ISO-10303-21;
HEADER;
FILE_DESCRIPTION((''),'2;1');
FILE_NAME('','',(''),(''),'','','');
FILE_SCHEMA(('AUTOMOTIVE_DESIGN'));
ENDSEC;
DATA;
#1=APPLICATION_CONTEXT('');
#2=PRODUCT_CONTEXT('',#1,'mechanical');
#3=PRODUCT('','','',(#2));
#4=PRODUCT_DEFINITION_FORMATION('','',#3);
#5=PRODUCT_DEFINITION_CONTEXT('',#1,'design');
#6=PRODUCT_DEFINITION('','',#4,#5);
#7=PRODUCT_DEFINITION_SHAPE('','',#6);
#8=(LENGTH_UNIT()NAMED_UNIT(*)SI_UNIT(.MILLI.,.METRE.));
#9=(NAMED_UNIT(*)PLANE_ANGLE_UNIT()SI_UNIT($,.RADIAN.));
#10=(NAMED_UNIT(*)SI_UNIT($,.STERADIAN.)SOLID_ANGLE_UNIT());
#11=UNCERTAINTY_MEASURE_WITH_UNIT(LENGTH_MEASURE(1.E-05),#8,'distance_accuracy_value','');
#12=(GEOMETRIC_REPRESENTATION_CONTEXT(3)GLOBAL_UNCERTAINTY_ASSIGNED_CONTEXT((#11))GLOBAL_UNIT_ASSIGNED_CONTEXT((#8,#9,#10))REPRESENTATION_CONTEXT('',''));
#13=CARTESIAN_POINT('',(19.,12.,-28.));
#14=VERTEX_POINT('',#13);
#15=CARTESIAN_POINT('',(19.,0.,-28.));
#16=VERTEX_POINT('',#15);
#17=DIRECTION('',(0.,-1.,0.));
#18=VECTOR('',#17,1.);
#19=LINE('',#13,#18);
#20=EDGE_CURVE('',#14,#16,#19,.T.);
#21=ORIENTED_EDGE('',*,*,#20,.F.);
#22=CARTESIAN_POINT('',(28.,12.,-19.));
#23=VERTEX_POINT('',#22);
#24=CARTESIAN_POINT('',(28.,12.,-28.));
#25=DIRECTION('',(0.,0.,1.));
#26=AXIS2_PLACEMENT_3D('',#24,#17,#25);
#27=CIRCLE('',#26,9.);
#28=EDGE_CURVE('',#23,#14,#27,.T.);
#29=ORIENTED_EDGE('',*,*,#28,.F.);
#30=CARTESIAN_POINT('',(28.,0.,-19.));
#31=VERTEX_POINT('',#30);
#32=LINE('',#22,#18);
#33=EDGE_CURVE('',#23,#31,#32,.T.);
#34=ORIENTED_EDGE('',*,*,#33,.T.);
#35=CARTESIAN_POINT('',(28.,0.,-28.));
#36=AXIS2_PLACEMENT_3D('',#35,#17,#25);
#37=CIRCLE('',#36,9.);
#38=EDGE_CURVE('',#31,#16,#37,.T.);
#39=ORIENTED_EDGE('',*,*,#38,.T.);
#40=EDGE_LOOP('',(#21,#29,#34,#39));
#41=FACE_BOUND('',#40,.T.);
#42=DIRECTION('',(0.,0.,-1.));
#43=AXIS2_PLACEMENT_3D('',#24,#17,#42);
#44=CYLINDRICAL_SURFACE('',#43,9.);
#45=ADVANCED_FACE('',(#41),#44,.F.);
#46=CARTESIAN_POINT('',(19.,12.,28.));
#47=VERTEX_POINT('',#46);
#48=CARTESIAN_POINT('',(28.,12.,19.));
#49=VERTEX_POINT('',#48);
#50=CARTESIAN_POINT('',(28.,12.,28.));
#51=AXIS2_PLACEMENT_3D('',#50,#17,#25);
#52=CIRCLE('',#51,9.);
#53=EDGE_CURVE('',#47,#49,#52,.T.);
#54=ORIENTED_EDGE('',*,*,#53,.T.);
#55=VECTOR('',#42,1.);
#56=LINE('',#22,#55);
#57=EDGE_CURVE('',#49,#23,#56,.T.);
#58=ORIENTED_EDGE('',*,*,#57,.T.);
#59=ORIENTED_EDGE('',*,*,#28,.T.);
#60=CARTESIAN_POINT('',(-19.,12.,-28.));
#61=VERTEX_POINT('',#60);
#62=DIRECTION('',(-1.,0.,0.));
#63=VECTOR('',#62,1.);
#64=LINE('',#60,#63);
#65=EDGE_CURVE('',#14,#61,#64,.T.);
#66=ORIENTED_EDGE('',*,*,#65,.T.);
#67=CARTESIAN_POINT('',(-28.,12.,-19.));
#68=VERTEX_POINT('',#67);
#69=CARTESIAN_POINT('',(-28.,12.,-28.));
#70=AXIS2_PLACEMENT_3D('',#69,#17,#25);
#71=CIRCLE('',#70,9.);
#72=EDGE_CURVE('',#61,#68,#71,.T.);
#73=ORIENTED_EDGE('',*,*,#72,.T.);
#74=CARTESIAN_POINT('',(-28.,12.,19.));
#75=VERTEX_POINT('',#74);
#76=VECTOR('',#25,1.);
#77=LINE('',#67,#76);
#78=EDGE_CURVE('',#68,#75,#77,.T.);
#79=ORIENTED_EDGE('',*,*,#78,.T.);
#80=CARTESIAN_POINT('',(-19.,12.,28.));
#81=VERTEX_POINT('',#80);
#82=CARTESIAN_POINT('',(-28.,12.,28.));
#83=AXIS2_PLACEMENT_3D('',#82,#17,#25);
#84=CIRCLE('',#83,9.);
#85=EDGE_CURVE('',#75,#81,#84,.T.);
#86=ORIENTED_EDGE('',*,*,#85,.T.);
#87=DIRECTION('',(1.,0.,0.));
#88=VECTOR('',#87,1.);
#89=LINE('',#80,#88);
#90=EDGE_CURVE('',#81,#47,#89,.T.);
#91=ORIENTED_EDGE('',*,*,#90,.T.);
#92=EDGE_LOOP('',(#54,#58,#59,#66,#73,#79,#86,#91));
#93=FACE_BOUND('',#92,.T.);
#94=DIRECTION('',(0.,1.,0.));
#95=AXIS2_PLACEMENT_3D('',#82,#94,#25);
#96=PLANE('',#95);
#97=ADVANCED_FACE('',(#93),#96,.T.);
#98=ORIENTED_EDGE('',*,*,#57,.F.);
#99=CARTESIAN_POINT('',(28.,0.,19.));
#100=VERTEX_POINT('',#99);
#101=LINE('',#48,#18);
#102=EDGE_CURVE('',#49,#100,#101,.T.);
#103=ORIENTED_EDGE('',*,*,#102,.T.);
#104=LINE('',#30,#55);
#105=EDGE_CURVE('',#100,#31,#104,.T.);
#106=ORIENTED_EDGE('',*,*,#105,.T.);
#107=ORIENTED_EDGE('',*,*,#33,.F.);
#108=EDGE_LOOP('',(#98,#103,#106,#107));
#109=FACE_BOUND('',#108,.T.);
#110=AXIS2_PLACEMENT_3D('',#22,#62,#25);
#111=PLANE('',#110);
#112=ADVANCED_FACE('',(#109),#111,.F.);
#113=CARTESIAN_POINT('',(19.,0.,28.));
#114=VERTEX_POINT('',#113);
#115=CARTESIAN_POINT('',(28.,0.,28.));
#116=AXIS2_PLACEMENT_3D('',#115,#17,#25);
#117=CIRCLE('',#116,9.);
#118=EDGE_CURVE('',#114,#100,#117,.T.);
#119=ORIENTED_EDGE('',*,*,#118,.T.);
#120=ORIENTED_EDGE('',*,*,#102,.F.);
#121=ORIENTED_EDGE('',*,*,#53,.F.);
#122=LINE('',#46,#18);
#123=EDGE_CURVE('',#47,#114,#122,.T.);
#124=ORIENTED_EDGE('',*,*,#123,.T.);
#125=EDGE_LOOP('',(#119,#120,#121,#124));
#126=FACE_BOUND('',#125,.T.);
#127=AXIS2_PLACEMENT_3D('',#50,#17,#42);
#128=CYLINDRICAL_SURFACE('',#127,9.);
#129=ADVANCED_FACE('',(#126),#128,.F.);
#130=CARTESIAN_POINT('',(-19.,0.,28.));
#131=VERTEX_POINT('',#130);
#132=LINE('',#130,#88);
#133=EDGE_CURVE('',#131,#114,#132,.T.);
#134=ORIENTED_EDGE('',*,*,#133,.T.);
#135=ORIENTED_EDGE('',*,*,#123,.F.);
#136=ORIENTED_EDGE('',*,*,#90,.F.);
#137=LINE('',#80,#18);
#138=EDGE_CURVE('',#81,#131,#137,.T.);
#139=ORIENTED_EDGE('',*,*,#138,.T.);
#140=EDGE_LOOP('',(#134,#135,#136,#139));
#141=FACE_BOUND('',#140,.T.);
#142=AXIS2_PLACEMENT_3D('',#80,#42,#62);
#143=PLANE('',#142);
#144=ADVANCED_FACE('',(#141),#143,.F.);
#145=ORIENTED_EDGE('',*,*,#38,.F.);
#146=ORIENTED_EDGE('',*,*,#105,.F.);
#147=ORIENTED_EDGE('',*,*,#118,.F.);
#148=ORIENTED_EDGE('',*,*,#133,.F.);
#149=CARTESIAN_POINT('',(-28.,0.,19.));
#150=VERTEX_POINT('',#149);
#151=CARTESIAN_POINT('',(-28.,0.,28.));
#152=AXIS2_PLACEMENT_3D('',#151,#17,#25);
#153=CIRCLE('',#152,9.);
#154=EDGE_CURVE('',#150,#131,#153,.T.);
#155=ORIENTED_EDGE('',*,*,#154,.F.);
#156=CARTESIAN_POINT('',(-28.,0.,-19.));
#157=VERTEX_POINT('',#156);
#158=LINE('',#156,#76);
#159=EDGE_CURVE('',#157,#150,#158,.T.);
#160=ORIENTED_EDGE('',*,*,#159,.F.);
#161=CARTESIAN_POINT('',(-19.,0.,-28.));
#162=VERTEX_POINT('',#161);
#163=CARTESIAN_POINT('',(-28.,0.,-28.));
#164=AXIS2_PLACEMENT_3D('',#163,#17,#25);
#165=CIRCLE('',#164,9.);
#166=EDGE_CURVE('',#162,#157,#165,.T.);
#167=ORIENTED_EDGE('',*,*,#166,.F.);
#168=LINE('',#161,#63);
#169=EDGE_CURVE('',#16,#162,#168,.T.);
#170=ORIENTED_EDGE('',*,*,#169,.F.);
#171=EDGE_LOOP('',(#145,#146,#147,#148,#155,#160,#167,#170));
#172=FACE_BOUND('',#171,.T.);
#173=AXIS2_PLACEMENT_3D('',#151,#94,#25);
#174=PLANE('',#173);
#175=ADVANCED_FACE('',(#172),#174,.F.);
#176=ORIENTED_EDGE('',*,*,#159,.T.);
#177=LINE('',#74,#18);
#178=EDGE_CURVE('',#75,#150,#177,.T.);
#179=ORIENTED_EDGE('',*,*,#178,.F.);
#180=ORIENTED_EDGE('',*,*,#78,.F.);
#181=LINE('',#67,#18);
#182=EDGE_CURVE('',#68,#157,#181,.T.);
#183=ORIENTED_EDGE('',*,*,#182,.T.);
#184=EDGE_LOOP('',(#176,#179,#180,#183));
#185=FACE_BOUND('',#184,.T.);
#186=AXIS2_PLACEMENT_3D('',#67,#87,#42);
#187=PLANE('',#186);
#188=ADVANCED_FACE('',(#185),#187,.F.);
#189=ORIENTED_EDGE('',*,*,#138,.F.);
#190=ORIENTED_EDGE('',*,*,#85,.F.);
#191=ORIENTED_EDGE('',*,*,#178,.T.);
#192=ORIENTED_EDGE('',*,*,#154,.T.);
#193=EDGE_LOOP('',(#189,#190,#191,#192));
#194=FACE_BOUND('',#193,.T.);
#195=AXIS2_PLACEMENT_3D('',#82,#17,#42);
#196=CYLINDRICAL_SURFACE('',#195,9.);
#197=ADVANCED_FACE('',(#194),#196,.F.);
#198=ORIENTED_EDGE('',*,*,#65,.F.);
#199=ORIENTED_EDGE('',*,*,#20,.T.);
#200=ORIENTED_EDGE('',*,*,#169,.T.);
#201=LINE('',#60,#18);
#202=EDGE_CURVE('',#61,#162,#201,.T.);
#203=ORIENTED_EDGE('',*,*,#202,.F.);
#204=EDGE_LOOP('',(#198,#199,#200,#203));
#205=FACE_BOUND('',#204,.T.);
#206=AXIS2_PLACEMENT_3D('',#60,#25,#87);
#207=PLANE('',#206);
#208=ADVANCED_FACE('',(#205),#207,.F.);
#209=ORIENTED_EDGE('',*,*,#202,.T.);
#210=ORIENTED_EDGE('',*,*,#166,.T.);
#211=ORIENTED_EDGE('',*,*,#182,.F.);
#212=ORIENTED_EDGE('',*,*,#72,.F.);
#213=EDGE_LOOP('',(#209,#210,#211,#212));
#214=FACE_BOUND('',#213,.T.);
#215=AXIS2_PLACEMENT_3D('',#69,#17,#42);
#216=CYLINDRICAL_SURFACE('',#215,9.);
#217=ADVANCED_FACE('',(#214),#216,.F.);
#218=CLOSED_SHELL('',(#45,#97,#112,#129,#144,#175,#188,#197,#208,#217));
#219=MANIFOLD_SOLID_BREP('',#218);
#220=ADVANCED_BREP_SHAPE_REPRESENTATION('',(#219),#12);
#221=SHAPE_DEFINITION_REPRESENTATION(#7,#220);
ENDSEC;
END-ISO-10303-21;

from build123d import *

# Parameters (mm, degrees)
BOSS_EXTRUDE1_DEPTH = 12


with BuildPart() as part:
    # Sketch1 → Boss-Extrude1 (new body)
    with BuildSketch(Plane(origin=(0, 0, 0), x_dir=(1, 0, 0), z_dir=(0, 1, 0))):
        with BuildLine():
            Line((-19, 28), (19, 28))
            ThreePointArc((19, 28), (21.636038969, 21.636038969), (28, 19))
            Line((28, 19), (28, -19))
            ThreePointArc((28, -19), (21.636038969, -21.636038969), (19, -28))
            Line((19, -28), (-19, -28))
            ThreePointArc((-19, -28), (-21.636038969, -21.636038969), (-28, -19))
            Line((-28, -19), (-28, 19))
            ThreePointArc((-28, 19), (-21.636038969, 21.636038969), (-19, 28))
        make_face()
    extrude(amount=BOSS_EXTRUDE1_DEPTH)


solid = part.part
